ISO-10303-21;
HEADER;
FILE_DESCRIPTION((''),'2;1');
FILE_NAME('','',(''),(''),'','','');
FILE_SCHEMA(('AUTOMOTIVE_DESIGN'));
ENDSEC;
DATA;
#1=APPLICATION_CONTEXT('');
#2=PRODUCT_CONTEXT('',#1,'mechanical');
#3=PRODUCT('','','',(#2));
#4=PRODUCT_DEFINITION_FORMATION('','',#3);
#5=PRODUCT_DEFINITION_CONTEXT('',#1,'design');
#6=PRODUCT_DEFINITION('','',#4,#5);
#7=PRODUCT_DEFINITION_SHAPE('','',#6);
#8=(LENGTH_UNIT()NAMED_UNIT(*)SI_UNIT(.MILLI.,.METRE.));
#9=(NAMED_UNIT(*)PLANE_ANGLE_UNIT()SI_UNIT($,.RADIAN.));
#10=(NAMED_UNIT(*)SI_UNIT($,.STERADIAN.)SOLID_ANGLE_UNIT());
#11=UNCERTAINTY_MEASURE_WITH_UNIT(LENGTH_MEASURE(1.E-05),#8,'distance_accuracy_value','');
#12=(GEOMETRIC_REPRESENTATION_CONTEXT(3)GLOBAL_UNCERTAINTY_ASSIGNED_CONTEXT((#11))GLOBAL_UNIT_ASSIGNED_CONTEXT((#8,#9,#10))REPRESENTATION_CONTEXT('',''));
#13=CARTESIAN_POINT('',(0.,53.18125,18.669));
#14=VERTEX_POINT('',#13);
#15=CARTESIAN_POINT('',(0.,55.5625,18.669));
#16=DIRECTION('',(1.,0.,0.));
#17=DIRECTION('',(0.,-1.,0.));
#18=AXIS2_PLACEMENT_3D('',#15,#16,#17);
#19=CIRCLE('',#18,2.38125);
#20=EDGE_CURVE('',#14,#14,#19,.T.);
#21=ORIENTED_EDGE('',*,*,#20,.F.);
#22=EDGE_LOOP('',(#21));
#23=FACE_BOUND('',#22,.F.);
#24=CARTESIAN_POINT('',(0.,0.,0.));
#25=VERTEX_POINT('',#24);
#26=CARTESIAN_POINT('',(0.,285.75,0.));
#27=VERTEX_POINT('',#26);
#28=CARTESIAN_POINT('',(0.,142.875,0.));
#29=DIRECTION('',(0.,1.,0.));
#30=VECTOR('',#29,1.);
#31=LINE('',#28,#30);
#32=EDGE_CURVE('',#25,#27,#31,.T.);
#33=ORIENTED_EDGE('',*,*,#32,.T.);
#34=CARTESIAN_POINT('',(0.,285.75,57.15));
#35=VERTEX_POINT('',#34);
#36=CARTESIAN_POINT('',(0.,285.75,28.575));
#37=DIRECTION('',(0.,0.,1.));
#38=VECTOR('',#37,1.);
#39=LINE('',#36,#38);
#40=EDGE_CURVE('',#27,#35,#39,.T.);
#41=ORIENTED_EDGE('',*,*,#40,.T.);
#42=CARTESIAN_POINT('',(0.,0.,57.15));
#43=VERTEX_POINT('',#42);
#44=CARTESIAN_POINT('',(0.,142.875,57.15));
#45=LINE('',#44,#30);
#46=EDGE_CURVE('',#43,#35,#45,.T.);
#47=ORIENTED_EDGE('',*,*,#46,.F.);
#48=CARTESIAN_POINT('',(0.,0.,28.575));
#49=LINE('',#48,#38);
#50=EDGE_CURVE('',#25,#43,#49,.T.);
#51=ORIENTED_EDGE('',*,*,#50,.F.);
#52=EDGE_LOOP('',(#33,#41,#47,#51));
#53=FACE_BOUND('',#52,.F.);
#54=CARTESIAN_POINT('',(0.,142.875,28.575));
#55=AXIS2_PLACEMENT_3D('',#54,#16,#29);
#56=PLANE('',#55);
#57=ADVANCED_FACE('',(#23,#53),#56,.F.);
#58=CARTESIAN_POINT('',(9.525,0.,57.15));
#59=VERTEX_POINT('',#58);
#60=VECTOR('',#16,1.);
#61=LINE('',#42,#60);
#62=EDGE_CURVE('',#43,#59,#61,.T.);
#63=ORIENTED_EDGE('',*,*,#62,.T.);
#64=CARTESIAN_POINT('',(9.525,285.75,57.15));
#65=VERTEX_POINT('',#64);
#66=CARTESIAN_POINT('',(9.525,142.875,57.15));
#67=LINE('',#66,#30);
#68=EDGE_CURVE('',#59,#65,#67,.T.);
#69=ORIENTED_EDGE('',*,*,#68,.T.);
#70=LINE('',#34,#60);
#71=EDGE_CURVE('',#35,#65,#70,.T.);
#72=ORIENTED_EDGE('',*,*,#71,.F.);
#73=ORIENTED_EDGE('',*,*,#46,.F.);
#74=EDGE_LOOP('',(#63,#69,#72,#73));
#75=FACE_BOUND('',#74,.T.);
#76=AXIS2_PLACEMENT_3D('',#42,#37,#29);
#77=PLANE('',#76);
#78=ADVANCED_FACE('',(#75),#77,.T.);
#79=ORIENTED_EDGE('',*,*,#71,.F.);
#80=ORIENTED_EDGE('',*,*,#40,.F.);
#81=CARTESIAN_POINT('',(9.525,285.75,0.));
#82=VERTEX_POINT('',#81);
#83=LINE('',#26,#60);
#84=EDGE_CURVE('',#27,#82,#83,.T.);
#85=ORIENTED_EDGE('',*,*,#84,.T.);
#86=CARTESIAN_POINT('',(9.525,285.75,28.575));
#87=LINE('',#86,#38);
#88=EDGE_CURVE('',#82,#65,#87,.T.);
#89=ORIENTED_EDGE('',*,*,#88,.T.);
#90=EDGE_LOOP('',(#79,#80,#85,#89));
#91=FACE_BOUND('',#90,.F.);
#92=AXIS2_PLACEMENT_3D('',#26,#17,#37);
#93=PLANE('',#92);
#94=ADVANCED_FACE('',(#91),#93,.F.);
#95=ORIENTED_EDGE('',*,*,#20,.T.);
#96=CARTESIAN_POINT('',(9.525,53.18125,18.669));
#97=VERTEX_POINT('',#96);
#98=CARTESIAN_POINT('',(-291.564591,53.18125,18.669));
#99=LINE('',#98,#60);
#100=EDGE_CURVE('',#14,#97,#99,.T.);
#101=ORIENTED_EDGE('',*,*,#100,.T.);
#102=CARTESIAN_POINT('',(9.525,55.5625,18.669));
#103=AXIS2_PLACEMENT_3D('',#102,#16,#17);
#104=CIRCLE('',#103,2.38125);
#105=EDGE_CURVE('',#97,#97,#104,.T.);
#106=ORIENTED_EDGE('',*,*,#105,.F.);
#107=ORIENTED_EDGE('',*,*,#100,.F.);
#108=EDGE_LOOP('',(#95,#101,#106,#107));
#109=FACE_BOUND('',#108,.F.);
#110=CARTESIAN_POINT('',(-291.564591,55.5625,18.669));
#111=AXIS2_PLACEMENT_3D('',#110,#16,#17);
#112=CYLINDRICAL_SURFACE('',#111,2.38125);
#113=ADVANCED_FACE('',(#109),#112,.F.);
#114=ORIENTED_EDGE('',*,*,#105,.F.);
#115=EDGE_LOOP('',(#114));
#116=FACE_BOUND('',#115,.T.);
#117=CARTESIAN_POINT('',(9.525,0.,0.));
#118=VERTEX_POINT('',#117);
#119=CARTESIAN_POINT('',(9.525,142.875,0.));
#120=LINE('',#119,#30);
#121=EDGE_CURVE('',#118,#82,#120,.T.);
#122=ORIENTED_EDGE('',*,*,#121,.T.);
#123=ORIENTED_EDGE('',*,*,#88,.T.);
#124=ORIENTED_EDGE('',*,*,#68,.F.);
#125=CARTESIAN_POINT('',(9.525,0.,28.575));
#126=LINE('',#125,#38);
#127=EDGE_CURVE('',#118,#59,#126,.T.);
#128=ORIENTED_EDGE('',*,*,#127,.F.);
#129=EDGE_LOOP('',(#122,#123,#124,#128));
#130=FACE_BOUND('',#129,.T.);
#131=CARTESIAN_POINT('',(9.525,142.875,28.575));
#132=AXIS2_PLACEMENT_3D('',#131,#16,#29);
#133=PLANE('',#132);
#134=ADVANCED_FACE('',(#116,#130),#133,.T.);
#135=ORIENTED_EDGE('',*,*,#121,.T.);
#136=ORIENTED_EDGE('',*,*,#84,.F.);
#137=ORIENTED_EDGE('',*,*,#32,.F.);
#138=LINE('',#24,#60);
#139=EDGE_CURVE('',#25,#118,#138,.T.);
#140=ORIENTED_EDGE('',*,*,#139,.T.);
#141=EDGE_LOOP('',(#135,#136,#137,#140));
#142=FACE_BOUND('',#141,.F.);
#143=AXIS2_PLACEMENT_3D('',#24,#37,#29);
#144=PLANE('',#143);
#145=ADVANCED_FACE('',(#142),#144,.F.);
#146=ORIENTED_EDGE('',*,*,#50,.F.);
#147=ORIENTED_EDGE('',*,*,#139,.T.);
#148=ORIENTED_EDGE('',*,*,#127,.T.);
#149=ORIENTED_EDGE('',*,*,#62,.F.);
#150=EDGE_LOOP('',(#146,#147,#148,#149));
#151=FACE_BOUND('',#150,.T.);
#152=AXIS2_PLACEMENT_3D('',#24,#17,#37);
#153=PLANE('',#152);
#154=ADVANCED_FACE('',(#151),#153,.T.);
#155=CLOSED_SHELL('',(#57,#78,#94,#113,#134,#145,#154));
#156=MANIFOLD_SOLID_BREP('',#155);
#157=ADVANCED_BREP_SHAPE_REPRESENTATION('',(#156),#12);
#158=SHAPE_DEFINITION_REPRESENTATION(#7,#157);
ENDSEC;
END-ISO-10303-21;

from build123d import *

# Parameters (mm, degrees)
F0_W     = 285.75
F0_H     = 57.15
F1_DEPTH = 9.525
F2_D     = 4.7625


with BuildPart() as f1:
    # F0 (on Right) → F1 (new body)
    with BuildSketch(Plane.YZ):
        with Locations((142.875, 28.575)):
            Rectangle(F0_W, F0_H)
    extrude(amount=F1_DEPTH)

    # F2 (through all)
    with Locations(Plane(origin=(0, 0, 0), x_dir=(0, 1, 0), z_dir=(-1, 0, 0))):
        with Locations((55.5625, -18.669)):
            Hole(F2_D / 2)


solid = f1.part
